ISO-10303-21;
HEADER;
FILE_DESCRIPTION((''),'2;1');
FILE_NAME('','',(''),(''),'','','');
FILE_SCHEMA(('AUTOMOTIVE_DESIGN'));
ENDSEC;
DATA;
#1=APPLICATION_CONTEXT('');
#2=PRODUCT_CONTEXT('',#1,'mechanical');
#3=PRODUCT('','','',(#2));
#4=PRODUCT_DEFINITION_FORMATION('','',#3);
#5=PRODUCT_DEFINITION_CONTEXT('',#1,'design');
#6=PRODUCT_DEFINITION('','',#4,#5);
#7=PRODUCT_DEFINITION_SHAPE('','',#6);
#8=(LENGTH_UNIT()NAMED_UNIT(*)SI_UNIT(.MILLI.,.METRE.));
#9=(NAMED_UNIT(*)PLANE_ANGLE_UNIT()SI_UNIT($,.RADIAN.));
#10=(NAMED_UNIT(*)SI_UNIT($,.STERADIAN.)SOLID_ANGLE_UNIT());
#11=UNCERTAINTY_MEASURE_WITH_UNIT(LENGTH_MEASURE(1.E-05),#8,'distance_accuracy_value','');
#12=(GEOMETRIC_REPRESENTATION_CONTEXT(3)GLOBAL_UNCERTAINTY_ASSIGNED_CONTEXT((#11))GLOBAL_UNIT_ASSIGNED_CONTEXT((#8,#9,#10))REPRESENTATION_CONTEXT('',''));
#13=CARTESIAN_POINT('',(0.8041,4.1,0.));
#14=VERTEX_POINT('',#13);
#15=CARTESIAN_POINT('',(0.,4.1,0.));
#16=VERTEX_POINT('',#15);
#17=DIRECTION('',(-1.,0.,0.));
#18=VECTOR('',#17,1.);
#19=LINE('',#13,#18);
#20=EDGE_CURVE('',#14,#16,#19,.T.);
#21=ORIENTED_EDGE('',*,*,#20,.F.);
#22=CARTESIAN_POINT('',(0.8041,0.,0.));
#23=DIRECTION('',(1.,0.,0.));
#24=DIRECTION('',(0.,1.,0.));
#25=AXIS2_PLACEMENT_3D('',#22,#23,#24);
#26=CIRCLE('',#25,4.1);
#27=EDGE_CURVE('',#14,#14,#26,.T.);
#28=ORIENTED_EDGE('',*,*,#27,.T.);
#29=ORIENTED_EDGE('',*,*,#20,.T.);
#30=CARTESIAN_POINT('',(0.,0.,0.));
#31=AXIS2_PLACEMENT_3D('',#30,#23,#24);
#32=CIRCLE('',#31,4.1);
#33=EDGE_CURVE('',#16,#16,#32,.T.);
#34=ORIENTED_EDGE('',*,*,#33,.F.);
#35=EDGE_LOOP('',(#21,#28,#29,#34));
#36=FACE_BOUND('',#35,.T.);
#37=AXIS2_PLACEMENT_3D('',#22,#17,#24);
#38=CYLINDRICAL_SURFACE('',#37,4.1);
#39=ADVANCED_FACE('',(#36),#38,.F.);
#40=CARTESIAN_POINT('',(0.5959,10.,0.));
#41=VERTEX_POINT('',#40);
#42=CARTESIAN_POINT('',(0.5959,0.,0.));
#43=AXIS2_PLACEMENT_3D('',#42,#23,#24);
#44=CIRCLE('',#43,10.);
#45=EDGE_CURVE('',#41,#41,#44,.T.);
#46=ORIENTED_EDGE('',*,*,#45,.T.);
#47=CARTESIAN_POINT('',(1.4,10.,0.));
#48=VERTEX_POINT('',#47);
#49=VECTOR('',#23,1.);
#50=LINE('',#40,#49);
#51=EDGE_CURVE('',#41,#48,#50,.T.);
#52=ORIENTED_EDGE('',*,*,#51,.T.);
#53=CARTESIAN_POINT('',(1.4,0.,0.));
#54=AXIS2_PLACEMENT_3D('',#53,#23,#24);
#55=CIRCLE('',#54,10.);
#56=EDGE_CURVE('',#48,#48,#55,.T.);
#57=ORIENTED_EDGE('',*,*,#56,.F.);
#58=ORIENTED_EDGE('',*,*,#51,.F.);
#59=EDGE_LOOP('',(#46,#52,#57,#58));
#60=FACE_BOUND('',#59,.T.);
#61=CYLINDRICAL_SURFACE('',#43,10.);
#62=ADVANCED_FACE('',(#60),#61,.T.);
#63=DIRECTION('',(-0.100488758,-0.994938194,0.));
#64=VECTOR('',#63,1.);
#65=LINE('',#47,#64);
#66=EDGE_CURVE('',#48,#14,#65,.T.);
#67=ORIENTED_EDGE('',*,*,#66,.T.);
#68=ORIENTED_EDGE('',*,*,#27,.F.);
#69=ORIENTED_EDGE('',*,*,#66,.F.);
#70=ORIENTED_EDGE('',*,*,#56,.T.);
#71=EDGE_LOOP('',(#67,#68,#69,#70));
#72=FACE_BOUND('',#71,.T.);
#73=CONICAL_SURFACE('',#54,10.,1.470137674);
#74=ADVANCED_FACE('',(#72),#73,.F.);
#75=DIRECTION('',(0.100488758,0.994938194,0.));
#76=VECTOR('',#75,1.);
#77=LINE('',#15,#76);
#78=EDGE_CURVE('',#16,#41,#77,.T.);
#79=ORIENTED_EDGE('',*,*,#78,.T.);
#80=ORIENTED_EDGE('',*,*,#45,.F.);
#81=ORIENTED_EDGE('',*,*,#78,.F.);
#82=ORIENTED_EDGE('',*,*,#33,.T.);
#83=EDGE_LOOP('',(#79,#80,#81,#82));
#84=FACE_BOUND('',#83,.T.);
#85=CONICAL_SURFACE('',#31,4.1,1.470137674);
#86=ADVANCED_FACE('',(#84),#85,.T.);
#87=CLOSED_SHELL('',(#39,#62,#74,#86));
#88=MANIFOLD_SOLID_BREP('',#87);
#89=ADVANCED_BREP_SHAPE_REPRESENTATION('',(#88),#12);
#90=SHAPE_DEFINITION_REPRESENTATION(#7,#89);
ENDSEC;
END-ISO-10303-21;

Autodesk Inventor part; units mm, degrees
ref_plane "YZ Plane" through (0, 0, 0) normal (1, 0, 0) x (0, 1, 0)
ref_plane "XZ Plane" through (0, 0, 0) normal (0, 1, 0) x (-1, 0, 0)
ref_plane "XY Plane" through (0, 0, 0) normal (0, 0, 1) x (1, 0, 0)
sketch "Sketch1" plane through (0, 0, 0) normal (0, 0, 1) x (1, 0, 0)
  line L0 (0, 0) -> (1.4, 0) construction
  line L1 (0, 4.1) -> (0.5959, 10)
  line L2 (0.5959, 10) -> (1.4, 10)
  line L3 (1.4, 10) -> (0.8041, 4.1)
  line L4 (0.8041, 4.1) -> (0, 4.1)
  line L5 (0, -4.1) -> (0.5959, -10) construction
  line L6 (0.5959, -10) -> (1.4, -10) construction
  line L7 (1.4, -10) -> (0.8041, -4.1) construction
  line L8 (0.8041, -4.1) -> (0, -4.1) construction
  line L9 (0, 4.1) -> (0, -4.1) construction
  line L10 (1.4, 10) -> (1.4, -10) construction
  dimension "d0" = 20
  dimension "d1" = 8.2
  dimension "d2" = 0.8
  dimension "Tellerfeder_Height" = 1.4
revolve "Revolution1" add sketch "Sketch1" angle 360 about axis through (0, 0, 0) along (1, 0, 0)
properties part number "Tellerfeder_20_8" material "Stainless Steel"
